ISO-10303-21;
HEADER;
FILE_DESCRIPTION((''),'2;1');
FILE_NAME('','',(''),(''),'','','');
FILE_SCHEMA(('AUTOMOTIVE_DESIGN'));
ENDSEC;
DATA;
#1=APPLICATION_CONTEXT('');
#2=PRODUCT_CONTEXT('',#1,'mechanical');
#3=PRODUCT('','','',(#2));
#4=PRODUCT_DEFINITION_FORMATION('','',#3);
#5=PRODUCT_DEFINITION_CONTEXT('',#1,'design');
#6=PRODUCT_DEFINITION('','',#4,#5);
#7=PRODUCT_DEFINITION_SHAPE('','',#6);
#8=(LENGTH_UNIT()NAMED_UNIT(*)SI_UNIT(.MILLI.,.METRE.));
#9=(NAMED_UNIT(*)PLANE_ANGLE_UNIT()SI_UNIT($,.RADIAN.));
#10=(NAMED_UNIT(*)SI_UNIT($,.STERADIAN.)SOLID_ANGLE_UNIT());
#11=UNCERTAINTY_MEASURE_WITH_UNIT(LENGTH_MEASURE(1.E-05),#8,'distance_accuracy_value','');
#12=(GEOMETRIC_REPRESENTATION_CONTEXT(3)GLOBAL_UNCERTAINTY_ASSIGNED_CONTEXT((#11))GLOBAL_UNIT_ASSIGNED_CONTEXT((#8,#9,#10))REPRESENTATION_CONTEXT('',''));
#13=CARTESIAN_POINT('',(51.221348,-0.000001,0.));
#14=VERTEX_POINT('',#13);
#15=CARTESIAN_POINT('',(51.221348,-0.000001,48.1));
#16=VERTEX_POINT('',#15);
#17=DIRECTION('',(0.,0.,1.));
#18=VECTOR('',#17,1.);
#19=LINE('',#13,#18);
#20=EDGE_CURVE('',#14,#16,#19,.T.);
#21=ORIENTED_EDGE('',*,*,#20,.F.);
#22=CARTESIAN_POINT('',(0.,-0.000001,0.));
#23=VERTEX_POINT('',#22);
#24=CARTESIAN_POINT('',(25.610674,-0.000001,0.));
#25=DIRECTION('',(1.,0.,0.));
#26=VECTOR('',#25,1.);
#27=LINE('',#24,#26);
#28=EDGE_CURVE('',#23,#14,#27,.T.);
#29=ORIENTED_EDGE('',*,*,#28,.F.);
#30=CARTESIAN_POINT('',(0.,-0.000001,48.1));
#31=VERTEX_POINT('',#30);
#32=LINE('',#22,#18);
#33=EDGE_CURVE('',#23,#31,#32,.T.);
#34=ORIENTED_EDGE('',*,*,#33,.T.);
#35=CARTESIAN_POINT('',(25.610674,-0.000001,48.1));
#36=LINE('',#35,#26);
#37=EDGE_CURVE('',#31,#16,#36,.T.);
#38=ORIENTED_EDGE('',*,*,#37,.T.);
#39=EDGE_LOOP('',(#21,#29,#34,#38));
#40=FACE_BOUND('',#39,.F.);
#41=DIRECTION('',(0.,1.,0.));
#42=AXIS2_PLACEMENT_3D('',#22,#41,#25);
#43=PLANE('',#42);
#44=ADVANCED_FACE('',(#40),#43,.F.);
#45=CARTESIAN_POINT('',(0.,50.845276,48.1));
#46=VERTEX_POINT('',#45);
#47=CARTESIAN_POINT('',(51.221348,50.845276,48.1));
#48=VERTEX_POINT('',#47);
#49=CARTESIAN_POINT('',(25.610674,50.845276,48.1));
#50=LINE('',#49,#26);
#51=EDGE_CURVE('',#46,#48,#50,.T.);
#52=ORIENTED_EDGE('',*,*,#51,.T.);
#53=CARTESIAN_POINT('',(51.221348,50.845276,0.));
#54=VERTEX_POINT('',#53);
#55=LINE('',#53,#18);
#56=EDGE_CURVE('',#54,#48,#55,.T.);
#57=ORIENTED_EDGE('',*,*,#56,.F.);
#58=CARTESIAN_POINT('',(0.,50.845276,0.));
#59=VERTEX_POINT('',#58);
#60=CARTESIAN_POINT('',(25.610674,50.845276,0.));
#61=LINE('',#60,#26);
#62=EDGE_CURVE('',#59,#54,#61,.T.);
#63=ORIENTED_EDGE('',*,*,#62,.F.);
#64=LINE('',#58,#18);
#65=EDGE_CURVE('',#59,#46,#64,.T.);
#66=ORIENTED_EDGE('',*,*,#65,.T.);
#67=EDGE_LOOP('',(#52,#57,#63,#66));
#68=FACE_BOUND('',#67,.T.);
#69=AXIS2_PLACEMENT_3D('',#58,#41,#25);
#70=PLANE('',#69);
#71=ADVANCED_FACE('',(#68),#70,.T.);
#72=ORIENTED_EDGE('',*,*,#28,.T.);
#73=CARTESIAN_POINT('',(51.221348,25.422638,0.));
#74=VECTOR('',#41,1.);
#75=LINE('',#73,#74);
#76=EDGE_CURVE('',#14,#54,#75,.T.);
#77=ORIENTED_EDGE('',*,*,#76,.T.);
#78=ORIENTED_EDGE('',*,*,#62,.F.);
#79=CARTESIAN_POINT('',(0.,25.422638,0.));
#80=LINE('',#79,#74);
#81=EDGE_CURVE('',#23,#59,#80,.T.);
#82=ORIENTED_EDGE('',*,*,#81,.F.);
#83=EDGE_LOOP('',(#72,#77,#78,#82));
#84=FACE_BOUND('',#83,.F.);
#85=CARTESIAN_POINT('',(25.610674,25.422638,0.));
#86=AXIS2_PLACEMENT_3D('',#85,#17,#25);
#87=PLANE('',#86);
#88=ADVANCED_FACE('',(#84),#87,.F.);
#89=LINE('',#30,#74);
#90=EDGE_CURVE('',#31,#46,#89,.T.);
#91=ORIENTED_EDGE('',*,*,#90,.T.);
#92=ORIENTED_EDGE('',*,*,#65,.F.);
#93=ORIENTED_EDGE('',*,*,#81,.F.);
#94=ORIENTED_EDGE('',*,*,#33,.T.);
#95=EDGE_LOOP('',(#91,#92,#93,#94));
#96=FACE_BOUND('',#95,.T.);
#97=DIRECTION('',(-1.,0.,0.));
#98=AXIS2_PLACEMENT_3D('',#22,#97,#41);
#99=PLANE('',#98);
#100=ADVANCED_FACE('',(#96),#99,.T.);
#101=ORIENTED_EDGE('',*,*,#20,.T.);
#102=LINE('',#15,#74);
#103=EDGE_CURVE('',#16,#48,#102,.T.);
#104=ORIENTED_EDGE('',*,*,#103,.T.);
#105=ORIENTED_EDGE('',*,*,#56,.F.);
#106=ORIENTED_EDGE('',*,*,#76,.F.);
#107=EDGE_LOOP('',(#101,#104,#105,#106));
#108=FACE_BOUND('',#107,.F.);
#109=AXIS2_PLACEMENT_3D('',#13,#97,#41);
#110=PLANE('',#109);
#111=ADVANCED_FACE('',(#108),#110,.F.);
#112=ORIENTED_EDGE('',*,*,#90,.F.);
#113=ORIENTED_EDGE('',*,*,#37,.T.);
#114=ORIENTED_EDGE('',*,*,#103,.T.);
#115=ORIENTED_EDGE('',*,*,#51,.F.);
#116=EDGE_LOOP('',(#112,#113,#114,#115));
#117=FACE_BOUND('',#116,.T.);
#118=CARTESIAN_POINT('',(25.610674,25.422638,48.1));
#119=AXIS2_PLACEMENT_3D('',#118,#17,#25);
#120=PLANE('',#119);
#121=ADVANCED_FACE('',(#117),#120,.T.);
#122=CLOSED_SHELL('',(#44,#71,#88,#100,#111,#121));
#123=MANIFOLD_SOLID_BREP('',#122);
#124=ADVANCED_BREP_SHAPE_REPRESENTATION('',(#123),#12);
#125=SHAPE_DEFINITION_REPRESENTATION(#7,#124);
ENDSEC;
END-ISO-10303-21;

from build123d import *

# Parameters (mm, degrees)
F0_W     = 51.221348
F0_H     = 50.845277
F1_DEPTH = 48.1
F3_W     = 25.422638
F3_H     = 25.293316
F4_DEPTH = 48.1
F2_W     = 51.221348
F2_H     = 25.422638
F5_DEPTH = 25.4


with BuildPart() as f1:
    # F0 (on Top) → F1 (new body)
    with BuildSketch(Plane.XY):
        with Locations((25.610674, 25.422638)):
            Rectangle(F0_W, F0_H)
    extrude(amount=F1_DEPTH)

    # F3 (on face) → F4 (join)
    with BuildSketch(Plane(origin=(0, 0, 0), x_dir=(0, -1, 0), z_dir=(-1, 0, 0))):
        with Locations((-12.711319, 35.453342)):
            Rectangle(F3_W, F3_H)
    extrude(amount=-F4_DEPTH)

    # F2 (on face) → F5 (join)
    with BuildSketch(Plane.XY.offset(48.1)):
        with Locations((25.610674, 12.711319)):
            Rectangle(F2_W, F2_H)
    extrude(amount=-F5_DEPTH)


solid = f1.part
